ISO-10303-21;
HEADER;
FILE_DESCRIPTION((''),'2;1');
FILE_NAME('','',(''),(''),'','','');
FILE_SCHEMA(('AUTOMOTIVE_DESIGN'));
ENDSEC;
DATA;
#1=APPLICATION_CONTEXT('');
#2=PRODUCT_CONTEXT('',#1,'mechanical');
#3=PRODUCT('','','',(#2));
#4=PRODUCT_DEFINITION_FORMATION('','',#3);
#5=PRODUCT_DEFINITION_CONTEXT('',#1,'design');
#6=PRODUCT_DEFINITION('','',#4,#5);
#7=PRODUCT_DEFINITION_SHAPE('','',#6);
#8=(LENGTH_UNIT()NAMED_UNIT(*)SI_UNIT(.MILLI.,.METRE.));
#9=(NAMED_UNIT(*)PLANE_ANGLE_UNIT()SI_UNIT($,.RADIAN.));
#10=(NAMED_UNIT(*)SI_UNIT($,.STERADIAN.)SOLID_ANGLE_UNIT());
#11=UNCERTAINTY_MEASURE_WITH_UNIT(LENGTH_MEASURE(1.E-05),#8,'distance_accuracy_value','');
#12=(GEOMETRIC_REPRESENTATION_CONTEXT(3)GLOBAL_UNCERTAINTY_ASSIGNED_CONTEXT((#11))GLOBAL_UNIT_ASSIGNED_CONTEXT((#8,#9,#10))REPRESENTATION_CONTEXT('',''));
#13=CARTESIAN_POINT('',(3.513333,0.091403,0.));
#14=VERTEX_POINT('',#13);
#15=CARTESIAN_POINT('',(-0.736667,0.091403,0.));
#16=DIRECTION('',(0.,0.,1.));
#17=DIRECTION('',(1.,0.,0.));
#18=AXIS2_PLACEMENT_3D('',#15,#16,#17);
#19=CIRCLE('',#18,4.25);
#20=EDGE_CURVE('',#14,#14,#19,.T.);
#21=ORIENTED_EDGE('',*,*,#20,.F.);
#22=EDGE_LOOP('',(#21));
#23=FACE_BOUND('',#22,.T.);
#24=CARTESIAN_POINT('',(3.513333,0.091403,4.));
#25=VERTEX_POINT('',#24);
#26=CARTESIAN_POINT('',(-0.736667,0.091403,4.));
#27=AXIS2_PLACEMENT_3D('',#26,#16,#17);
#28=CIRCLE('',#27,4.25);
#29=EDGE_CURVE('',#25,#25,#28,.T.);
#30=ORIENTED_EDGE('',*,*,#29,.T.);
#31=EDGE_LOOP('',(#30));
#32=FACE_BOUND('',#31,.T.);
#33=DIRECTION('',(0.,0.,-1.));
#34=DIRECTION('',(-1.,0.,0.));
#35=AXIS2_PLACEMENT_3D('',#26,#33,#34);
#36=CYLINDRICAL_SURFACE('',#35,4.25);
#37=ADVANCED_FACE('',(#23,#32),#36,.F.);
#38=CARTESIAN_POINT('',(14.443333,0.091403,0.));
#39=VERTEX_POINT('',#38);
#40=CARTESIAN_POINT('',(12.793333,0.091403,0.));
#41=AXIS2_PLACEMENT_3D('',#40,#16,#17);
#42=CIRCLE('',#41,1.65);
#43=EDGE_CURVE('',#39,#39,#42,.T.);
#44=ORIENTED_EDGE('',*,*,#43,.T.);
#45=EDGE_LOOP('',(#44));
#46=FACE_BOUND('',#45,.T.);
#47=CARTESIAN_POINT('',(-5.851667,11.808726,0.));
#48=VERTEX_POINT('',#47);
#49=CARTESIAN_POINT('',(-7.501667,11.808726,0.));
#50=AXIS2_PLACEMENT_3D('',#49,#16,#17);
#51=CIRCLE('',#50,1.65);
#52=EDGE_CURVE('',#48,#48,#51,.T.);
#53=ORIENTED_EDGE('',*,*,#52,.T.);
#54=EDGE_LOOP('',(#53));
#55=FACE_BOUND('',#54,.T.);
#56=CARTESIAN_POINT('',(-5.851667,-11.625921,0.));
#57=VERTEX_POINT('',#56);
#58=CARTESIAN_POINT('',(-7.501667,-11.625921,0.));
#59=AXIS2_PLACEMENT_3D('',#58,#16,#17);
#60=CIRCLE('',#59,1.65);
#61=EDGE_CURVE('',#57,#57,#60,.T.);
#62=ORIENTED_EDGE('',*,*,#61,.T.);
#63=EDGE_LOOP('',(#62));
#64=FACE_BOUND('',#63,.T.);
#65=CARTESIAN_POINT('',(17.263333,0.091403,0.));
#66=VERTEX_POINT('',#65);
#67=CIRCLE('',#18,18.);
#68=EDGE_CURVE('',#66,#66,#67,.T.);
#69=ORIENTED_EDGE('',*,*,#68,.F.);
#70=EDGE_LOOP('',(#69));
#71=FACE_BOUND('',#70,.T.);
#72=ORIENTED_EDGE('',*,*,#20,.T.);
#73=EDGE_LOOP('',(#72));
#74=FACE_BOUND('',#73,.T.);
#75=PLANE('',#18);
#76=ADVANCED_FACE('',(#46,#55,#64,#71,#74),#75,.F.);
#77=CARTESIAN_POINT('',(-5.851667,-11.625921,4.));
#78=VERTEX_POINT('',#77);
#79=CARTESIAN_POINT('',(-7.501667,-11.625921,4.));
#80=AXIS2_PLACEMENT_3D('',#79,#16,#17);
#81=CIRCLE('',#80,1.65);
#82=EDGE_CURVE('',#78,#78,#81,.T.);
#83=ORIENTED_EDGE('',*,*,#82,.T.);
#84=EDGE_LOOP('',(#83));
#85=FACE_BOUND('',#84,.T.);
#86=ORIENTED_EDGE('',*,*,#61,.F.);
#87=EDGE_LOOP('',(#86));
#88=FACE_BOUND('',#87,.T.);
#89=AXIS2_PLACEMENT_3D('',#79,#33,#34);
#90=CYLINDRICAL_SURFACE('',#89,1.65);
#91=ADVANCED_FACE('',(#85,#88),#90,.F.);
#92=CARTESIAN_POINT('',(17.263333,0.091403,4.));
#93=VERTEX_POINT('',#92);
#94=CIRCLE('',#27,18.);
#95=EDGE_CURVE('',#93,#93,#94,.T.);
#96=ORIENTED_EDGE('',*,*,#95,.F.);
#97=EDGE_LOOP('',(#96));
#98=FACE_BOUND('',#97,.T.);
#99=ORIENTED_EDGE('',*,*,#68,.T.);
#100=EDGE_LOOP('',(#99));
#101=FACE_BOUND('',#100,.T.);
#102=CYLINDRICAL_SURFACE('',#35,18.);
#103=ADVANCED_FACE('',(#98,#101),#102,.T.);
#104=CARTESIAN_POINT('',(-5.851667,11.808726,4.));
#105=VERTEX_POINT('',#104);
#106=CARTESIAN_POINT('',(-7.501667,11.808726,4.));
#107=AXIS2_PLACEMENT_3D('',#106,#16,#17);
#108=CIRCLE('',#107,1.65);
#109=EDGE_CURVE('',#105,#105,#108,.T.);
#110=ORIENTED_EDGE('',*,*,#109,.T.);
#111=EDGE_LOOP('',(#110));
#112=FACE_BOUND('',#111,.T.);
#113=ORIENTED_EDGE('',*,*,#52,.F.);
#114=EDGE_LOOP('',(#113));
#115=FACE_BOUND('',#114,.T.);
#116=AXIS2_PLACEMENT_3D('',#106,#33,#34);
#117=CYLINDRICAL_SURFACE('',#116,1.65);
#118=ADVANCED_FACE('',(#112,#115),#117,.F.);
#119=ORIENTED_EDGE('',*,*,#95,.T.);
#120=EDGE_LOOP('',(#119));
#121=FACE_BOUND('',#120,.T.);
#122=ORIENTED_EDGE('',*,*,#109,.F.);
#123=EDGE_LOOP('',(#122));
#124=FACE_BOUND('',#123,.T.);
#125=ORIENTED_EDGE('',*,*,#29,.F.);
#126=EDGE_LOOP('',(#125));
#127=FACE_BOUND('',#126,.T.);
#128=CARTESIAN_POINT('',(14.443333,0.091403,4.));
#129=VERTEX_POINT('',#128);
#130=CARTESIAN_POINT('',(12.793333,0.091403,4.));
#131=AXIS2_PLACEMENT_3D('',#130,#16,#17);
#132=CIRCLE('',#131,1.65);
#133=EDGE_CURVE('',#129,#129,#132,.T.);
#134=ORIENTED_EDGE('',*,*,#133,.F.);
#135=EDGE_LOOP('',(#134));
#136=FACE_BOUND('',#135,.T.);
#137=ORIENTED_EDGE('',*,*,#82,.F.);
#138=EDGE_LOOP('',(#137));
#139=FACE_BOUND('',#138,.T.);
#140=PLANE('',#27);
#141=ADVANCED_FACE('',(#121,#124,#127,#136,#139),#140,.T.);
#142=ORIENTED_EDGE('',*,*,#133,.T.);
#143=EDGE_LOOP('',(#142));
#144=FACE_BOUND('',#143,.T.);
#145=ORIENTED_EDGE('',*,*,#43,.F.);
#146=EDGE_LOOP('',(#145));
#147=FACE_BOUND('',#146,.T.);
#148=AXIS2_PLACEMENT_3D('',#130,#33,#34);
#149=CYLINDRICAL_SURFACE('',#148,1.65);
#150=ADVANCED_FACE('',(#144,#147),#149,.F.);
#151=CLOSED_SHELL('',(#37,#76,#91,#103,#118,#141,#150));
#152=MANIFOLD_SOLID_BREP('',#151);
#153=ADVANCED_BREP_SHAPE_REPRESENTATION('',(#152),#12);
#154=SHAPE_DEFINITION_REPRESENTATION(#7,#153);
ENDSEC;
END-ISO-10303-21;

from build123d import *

# Parameters (mm, degrees)
SKETCH_1_R      = 18
SKETCH_1_R_2    = 4.25
SKETCH_1_R_3    = 1.65
EXTRUDE_1_DEPTH = 4


with BuildPart() as part:
    # 草图1 → 凸台-拉伸1 (new body)
    with BuildSketch(Plane.XY):
        with Locations((-0.736666667, 0.091402557)):
            Circle(SKETCH_1_R)
        with Locations((-0.736666667, 0.091402557)):
            Circle(SKETCH_1_R_2, mode=Mode.SUBTRACT)
        with Locations((12.793333333, 0.091402557)):
            Circle(SKETCH_1_R_3, mode=Mode.SUBTRACT)
        with Locations((-7.501666667, -11.625921157)):
            Circle(SKETCH_1_R_3, mode=Mode.SUBTRACT)
        with Locations((-7.501666667, 11.80872627)):
            Circle(SKETCH_1_R_3, mode=Mode.SUBTRACT)
    extrude(amount=EXTRUDE_1_DEPTH)


solid = part.part
